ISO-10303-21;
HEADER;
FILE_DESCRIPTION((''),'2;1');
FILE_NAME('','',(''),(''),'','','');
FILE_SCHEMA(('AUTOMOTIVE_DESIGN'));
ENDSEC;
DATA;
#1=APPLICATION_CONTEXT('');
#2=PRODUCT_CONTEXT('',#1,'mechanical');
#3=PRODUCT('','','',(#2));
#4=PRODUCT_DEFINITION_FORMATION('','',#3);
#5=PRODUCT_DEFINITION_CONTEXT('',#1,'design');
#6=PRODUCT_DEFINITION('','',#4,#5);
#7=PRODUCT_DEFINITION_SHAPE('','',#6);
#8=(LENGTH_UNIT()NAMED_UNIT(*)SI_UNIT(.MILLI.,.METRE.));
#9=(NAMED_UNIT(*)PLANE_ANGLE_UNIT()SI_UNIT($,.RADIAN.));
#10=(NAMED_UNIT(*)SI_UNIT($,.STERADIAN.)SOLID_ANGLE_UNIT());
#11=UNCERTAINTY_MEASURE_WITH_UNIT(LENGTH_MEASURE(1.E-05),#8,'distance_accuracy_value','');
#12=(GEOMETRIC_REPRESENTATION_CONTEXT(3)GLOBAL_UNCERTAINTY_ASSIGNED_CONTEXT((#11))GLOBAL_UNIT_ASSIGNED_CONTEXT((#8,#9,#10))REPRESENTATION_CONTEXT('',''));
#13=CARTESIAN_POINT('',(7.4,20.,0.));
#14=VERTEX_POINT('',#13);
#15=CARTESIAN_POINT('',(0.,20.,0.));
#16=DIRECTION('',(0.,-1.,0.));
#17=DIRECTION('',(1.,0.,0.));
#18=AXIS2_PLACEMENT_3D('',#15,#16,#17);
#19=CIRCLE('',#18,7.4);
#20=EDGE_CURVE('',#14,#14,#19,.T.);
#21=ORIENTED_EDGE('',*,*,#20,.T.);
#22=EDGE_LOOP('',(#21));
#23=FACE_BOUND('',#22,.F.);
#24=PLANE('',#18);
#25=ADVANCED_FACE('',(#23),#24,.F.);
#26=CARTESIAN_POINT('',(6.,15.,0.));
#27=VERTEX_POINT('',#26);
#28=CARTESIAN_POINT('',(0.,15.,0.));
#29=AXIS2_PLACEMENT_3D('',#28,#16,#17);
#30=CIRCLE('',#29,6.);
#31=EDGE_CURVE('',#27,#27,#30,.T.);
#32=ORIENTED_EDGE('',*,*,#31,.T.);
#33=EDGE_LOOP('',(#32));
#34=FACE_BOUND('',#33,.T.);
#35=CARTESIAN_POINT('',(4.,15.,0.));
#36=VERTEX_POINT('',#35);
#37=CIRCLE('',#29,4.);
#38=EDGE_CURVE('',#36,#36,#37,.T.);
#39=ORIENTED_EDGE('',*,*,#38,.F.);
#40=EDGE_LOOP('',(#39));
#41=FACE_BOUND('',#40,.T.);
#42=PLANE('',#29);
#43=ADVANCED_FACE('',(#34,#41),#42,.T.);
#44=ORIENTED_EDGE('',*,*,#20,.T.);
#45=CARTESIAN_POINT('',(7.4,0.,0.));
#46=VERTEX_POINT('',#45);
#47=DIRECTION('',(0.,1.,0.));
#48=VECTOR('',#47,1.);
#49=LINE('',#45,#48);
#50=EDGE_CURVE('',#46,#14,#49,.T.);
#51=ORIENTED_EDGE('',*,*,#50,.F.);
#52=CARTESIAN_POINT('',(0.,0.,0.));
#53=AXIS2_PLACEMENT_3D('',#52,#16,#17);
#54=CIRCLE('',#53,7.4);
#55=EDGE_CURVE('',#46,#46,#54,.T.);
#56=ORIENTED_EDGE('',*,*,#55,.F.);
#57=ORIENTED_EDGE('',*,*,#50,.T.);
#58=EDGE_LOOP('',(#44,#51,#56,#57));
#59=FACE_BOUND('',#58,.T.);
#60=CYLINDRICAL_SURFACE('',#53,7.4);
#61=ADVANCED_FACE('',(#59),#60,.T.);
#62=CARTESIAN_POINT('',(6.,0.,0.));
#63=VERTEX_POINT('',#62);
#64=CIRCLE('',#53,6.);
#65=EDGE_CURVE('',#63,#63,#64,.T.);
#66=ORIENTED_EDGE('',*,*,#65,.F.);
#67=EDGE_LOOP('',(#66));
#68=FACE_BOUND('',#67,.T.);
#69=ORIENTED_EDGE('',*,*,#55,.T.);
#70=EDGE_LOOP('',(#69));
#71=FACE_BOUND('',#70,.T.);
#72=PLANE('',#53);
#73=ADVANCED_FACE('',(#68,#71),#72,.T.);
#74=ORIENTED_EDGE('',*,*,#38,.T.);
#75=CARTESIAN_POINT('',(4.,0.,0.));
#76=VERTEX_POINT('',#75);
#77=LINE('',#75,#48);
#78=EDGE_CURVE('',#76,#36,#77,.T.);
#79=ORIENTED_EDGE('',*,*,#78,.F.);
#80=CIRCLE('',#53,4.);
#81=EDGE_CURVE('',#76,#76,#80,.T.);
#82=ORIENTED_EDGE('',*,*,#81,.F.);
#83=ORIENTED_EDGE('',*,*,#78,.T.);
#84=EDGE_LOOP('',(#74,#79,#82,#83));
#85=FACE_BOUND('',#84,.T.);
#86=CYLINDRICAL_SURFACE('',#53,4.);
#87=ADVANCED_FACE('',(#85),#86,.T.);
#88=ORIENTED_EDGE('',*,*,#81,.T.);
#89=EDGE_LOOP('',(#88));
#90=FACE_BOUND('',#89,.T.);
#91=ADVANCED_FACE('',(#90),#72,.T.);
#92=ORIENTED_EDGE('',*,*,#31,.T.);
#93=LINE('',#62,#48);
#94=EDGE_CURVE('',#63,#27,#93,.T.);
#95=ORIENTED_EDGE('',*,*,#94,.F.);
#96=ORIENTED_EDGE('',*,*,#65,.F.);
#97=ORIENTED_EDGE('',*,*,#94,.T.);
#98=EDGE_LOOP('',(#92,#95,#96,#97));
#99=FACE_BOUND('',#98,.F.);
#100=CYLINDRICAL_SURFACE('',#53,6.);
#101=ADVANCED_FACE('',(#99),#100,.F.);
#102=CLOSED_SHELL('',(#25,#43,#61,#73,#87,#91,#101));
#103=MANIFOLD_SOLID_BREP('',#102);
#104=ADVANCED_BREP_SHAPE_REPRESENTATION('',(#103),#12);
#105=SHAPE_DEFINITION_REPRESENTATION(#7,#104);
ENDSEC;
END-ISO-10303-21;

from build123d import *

# Parameters (mm, degrees)
F0_R     = 7.4
F1_DEPTH = 20
F2_R     = 6
F2_R_2   = 4
F3_DEPTH = 15


with BuildPart() as f1:
    # F0 (on Front) → F1 (new body)
    with BuildSketch(Plane.XZ):
        Circle(F0_R)
    extrude(amount=-F1_DEPTH)

    # F2 (on face) → F3 (cut)
    with BuildSketch(Plane.XZ):
        Circle(F2_R)
        Circle(F2_R_2, mode=Mode.SUBTRACT)
    extrude(amount=-F3_DEPTH, mode=Mode.SUBTRACT)


solid = f1.part
